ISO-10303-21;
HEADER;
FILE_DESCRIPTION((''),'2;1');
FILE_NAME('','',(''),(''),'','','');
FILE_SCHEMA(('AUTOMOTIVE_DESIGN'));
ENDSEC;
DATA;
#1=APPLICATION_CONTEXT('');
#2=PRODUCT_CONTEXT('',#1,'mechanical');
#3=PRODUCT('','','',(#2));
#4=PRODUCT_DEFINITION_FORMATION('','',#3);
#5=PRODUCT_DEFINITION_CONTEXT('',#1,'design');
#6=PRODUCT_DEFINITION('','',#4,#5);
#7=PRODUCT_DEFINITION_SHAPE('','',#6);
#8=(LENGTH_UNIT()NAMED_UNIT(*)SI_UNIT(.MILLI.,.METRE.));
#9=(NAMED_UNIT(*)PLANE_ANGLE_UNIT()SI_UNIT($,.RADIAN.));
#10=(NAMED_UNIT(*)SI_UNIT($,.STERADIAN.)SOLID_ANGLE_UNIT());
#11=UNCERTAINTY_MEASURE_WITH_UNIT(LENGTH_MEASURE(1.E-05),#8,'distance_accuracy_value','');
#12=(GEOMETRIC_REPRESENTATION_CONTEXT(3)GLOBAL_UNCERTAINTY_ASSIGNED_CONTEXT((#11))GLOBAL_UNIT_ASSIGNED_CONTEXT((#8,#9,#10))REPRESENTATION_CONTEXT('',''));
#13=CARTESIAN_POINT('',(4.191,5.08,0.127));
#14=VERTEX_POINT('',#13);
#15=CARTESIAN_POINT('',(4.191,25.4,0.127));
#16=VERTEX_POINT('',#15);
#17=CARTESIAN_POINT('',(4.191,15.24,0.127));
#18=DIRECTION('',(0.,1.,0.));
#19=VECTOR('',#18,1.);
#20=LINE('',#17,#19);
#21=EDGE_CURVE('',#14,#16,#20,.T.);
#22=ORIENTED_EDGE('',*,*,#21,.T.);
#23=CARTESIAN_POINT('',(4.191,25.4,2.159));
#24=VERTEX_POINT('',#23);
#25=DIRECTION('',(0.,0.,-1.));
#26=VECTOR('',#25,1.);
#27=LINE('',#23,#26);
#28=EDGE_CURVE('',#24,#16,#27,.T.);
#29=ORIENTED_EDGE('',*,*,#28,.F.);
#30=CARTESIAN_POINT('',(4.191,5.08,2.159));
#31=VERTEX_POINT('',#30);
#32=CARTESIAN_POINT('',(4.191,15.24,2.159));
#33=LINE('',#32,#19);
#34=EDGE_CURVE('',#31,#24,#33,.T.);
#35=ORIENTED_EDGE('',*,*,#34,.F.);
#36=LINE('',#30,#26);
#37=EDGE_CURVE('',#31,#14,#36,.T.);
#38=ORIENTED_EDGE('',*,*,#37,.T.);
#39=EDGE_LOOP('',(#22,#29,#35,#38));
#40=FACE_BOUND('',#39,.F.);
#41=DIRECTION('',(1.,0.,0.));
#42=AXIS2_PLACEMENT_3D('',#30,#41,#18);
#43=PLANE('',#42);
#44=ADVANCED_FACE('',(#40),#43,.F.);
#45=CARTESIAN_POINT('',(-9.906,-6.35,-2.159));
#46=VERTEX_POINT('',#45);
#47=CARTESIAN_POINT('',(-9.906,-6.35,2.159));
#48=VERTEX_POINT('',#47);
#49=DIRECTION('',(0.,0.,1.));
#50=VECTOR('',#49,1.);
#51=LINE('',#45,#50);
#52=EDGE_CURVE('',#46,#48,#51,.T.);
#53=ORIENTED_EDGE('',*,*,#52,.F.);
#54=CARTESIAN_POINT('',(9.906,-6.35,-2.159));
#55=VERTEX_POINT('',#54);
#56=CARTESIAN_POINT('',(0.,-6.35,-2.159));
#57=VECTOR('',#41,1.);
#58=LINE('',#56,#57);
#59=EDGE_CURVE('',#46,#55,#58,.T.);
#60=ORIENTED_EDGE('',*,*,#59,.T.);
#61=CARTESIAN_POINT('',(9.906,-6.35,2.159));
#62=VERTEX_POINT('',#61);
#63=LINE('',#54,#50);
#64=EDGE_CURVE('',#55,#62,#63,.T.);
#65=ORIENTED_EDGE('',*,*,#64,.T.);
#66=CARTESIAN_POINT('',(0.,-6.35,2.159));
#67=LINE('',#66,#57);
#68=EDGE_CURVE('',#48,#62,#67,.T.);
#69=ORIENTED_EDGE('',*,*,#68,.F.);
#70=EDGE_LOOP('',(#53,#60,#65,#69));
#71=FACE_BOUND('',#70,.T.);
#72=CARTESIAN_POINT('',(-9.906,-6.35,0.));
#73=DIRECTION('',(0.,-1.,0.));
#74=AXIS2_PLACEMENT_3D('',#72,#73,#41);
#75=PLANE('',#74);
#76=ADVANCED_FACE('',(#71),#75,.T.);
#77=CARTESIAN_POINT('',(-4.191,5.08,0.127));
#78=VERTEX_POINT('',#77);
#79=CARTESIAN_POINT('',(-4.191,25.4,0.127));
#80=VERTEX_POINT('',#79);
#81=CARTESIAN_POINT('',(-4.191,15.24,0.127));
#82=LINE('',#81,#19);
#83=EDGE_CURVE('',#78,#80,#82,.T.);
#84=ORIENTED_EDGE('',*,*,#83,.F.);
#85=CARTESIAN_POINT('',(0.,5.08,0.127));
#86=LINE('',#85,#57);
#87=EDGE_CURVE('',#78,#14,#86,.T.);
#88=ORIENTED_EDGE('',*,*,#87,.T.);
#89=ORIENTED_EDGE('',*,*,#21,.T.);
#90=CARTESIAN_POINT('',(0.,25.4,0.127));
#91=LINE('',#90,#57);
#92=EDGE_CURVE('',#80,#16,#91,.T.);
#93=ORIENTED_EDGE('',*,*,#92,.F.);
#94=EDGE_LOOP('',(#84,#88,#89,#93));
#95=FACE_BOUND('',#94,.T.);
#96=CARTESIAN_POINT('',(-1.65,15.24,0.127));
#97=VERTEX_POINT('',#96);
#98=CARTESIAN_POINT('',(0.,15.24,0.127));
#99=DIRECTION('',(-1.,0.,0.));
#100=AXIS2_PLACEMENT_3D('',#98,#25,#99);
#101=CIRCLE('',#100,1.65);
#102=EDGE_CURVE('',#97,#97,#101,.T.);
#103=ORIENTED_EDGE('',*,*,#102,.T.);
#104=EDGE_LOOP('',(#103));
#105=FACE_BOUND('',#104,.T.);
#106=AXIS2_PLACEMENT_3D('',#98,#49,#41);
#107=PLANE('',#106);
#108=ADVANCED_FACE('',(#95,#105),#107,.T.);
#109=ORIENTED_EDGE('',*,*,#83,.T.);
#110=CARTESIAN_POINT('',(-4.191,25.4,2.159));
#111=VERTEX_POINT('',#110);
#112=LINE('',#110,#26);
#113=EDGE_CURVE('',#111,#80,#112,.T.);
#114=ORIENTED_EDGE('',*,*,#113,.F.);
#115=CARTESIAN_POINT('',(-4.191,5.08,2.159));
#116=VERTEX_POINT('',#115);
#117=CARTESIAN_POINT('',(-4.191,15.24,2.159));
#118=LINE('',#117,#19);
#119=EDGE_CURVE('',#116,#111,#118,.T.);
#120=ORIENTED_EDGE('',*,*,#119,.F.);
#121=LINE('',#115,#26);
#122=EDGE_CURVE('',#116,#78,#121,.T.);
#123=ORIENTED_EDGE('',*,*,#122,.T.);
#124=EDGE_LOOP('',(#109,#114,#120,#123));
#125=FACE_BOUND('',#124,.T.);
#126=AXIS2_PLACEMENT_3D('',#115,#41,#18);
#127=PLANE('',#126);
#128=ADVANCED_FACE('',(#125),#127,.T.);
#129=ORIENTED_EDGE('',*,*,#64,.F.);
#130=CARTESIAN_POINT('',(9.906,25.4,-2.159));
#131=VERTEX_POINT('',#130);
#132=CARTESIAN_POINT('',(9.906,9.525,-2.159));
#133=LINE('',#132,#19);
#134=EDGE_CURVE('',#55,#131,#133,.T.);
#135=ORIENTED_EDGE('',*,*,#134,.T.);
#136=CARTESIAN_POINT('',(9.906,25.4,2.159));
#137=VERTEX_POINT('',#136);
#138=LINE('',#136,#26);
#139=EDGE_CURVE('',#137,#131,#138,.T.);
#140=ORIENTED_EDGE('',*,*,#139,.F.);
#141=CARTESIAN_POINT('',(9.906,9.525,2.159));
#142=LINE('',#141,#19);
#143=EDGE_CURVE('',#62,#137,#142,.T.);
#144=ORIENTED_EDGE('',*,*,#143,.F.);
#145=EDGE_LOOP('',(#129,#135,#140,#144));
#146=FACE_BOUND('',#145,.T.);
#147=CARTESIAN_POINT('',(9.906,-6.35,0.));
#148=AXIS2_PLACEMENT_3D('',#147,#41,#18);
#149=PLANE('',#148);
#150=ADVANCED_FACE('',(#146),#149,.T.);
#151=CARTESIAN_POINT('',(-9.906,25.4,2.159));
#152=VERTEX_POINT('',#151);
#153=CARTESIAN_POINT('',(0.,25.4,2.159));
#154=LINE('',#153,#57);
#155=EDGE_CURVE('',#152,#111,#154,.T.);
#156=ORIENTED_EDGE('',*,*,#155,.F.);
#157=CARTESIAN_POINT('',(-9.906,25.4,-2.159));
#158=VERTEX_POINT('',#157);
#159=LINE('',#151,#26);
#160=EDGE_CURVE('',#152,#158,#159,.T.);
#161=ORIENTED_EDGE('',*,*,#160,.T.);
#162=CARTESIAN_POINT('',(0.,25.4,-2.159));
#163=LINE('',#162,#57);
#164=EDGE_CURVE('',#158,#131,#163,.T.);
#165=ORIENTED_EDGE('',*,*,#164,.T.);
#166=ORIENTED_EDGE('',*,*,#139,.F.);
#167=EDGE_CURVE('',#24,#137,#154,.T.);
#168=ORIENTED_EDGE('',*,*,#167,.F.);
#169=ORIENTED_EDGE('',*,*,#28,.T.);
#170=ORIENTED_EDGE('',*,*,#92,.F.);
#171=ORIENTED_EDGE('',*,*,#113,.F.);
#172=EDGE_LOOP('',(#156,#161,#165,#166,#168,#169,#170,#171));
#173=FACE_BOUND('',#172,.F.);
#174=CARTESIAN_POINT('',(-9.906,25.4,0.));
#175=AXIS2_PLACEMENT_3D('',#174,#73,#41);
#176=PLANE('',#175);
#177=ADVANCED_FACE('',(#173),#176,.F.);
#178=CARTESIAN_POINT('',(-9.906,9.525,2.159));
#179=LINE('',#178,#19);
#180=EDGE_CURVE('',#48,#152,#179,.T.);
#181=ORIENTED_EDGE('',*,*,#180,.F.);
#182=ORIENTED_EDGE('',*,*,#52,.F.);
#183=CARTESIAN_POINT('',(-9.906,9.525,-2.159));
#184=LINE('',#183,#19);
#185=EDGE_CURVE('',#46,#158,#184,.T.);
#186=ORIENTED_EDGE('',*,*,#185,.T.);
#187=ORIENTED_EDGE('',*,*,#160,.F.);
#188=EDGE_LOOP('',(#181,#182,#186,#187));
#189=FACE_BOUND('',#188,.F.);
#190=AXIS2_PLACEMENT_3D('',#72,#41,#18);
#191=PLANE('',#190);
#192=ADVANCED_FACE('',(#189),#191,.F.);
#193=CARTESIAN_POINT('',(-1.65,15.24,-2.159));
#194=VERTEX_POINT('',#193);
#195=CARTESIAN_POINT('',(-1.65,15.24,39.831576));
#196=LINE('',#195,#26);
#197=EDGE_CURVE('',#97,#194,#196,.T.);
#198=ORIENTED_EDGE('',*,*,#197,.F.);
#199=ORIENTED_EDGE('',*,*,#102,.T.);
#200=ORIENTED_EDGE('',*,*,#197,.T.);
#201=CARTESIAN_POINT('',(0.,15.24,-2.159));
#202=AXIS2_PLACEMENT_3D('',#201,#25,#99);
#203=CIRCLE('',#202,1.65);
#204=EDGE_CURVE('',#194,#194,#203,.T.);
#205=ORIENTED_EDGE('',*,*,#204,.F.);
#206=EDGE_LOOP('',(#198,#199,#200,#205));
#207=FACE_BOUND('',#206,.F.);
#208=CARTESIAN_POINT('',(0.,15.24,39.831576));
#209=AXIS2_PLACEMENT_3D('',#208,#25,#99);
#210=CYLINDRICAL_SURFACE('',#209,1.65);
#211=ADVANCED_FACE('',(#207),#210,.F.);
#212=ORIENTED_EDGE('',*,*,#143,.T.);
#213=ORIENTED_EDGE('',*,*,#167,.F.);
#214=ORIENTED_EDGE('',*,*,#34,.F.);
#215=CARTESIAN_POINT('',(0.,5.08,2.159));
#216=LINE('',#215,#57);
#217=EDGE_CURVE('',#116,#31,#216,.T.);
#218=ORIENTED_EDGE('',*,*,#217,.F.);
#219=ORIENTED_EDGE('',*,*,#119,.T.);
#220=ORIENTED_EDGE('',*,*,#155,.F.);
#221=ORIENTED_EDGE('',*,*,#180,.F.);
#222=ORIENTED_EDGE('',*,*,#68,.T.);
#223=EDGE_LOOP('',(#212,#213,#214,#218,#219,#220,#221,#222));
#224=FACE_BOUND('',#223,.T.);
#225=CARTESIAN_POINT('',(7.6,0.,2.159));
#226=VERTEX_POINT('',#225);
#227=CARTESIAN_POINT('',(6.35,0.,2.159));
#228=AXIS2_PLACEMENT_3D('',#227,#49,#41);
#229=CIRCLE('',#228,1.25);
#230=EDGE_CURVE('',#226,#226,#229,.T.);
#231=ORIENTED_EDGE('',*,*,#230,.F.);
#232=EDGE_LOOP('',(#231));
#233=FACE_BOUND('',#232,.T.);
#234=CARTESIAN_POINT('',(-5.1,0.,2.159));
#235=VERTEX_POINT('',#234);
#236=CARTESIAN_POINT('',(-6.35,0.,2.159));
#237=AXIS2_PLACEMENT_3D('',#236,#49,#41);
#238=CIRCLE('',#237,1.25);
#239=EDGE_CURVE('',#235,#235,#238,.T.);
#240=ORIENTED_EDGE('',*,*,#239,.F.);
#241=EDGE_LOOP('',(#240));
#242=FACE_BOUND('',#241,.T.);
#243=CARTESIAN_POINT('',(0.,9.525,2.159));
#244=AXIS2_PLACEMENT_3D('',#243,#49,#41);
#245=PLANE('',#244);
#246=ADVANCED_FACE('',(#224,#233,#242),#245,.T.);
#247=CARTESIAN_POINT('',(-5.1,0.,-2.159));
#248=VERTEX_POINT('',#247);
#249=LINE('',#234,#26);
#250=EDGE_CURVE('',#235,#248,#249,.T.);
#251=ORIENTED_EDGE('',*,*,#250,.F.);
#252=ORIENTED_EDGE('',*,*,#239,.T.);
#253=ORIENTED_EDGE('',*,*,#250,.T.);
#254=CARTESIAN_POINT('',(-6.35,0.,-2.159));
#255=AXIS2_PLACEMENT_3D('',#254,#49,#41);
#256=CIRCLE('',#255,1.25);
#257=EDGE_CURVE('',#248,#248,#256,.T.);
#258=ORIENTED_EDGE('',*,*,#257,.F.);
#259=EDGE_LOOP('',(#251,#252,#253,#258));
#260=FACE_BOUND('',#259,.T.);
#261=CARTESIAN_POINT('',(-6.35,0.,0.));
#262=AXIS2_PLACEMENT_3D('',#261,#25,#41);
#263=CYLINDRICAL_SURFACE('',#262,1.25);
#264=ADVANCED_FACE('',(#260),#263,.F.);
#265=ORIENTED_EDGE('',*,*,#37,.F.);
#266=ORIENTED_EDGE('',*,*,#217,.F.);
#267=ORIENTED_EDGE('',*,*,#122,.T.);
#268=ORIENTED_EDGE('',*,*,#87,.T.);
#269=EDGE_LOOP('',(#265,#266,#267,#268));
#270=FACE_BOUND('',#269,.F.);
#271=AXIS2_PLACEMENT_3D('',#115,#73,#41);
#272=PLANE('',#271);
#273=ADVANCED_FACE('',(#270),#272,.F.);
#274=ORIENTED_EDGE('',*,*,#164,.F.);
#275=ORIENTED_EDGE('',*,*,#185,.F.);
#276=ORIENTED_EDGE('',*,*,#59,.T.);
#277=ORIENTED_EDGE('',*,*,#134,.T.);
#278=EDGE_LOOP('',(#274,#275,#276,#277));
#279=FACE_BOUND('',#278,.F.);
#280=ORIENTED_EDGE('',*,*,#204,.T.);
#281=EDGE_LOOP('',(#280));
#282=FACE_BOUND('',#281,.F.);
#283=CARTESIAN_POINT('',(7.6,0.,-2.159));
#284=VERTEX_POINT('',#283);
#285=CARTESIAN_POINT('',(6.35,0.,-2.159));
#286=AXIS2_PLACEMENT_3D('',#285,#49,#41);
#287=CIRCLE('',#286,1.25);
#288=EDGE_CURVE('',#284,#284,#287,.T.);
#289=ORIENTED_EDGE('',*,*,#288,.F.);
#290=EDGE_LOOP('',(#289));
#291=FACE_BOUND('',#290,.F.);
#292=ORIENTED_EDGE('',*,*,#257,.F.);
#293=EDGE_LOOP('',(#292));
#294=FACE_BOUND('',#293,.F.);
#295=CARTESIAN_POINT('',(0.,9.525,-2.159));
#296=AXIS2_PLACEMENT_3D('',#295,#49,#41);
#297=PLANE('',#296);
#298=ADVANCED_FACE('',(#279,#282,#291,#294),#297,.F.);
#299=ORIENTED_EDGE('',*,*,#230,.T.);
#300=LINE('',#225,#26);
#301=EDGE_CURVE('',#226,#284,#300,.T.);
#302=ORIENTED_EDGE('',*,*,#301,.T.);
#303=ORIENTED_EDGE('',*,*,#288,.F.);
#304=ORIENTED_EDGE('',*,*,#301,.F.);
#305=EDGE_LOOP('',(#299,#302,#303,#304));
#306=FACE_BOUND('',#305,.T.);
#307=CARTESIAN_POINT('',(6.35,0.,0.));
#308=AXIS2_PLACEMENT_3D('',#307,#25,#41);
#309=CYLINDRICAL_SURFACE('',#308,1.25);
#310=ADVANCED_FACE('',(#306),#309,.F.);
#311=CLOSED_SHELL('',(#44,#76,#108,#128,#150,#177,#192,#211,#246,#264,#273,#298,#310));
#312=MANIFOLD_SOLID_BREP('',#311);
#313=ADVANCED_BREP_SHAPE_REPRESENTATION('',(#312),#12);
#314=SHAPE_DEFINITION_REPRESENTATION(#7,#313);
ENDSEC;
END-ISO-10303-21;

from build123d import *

# Parameters (mm, degrees)
F0_W     = 19.812
F0_H     = 31.75
F0_R     = 1.25
F1_DEPTH = 2.159
F3_D     = 3.3
F4_W     = 8.382
F4_H     = 20.32
F5_DEPTH = 2.032


with BuildPart() as f1:
    # F0 (on Top) → F1 (new body, symmetric)
    with BuildSketch(Plane.XY):
        with Locations((0, 9.525)):
            Rectangle(F0_W, F0_H)
        with Locations((-6.35, 0)):
            Circle(F0_R, mode=Mode.SUBTRACT)
        with Locations((6.35, 0)):
            Circle(F0_R, mode=Mode.SUBTRACT)
    extrude(amount=F1_DEPTH, both=True)

    # F3 (through all)
    with Locations(Plane.XY.offset(2.159)):
        with Locations((0, 15.24)):
            Hole(F3_D / 2)

    # F4 (on face) → F5 (cut)
    with BuildSketch(Plane.XY.offset(2.159)):
        with Locations((0, 15.24)):
            Rectangle(F4_W, F4_H)
    extrude(amount=-F5_DEPTH, mode=Mode.SUBTRACT)


solid = f1.part
